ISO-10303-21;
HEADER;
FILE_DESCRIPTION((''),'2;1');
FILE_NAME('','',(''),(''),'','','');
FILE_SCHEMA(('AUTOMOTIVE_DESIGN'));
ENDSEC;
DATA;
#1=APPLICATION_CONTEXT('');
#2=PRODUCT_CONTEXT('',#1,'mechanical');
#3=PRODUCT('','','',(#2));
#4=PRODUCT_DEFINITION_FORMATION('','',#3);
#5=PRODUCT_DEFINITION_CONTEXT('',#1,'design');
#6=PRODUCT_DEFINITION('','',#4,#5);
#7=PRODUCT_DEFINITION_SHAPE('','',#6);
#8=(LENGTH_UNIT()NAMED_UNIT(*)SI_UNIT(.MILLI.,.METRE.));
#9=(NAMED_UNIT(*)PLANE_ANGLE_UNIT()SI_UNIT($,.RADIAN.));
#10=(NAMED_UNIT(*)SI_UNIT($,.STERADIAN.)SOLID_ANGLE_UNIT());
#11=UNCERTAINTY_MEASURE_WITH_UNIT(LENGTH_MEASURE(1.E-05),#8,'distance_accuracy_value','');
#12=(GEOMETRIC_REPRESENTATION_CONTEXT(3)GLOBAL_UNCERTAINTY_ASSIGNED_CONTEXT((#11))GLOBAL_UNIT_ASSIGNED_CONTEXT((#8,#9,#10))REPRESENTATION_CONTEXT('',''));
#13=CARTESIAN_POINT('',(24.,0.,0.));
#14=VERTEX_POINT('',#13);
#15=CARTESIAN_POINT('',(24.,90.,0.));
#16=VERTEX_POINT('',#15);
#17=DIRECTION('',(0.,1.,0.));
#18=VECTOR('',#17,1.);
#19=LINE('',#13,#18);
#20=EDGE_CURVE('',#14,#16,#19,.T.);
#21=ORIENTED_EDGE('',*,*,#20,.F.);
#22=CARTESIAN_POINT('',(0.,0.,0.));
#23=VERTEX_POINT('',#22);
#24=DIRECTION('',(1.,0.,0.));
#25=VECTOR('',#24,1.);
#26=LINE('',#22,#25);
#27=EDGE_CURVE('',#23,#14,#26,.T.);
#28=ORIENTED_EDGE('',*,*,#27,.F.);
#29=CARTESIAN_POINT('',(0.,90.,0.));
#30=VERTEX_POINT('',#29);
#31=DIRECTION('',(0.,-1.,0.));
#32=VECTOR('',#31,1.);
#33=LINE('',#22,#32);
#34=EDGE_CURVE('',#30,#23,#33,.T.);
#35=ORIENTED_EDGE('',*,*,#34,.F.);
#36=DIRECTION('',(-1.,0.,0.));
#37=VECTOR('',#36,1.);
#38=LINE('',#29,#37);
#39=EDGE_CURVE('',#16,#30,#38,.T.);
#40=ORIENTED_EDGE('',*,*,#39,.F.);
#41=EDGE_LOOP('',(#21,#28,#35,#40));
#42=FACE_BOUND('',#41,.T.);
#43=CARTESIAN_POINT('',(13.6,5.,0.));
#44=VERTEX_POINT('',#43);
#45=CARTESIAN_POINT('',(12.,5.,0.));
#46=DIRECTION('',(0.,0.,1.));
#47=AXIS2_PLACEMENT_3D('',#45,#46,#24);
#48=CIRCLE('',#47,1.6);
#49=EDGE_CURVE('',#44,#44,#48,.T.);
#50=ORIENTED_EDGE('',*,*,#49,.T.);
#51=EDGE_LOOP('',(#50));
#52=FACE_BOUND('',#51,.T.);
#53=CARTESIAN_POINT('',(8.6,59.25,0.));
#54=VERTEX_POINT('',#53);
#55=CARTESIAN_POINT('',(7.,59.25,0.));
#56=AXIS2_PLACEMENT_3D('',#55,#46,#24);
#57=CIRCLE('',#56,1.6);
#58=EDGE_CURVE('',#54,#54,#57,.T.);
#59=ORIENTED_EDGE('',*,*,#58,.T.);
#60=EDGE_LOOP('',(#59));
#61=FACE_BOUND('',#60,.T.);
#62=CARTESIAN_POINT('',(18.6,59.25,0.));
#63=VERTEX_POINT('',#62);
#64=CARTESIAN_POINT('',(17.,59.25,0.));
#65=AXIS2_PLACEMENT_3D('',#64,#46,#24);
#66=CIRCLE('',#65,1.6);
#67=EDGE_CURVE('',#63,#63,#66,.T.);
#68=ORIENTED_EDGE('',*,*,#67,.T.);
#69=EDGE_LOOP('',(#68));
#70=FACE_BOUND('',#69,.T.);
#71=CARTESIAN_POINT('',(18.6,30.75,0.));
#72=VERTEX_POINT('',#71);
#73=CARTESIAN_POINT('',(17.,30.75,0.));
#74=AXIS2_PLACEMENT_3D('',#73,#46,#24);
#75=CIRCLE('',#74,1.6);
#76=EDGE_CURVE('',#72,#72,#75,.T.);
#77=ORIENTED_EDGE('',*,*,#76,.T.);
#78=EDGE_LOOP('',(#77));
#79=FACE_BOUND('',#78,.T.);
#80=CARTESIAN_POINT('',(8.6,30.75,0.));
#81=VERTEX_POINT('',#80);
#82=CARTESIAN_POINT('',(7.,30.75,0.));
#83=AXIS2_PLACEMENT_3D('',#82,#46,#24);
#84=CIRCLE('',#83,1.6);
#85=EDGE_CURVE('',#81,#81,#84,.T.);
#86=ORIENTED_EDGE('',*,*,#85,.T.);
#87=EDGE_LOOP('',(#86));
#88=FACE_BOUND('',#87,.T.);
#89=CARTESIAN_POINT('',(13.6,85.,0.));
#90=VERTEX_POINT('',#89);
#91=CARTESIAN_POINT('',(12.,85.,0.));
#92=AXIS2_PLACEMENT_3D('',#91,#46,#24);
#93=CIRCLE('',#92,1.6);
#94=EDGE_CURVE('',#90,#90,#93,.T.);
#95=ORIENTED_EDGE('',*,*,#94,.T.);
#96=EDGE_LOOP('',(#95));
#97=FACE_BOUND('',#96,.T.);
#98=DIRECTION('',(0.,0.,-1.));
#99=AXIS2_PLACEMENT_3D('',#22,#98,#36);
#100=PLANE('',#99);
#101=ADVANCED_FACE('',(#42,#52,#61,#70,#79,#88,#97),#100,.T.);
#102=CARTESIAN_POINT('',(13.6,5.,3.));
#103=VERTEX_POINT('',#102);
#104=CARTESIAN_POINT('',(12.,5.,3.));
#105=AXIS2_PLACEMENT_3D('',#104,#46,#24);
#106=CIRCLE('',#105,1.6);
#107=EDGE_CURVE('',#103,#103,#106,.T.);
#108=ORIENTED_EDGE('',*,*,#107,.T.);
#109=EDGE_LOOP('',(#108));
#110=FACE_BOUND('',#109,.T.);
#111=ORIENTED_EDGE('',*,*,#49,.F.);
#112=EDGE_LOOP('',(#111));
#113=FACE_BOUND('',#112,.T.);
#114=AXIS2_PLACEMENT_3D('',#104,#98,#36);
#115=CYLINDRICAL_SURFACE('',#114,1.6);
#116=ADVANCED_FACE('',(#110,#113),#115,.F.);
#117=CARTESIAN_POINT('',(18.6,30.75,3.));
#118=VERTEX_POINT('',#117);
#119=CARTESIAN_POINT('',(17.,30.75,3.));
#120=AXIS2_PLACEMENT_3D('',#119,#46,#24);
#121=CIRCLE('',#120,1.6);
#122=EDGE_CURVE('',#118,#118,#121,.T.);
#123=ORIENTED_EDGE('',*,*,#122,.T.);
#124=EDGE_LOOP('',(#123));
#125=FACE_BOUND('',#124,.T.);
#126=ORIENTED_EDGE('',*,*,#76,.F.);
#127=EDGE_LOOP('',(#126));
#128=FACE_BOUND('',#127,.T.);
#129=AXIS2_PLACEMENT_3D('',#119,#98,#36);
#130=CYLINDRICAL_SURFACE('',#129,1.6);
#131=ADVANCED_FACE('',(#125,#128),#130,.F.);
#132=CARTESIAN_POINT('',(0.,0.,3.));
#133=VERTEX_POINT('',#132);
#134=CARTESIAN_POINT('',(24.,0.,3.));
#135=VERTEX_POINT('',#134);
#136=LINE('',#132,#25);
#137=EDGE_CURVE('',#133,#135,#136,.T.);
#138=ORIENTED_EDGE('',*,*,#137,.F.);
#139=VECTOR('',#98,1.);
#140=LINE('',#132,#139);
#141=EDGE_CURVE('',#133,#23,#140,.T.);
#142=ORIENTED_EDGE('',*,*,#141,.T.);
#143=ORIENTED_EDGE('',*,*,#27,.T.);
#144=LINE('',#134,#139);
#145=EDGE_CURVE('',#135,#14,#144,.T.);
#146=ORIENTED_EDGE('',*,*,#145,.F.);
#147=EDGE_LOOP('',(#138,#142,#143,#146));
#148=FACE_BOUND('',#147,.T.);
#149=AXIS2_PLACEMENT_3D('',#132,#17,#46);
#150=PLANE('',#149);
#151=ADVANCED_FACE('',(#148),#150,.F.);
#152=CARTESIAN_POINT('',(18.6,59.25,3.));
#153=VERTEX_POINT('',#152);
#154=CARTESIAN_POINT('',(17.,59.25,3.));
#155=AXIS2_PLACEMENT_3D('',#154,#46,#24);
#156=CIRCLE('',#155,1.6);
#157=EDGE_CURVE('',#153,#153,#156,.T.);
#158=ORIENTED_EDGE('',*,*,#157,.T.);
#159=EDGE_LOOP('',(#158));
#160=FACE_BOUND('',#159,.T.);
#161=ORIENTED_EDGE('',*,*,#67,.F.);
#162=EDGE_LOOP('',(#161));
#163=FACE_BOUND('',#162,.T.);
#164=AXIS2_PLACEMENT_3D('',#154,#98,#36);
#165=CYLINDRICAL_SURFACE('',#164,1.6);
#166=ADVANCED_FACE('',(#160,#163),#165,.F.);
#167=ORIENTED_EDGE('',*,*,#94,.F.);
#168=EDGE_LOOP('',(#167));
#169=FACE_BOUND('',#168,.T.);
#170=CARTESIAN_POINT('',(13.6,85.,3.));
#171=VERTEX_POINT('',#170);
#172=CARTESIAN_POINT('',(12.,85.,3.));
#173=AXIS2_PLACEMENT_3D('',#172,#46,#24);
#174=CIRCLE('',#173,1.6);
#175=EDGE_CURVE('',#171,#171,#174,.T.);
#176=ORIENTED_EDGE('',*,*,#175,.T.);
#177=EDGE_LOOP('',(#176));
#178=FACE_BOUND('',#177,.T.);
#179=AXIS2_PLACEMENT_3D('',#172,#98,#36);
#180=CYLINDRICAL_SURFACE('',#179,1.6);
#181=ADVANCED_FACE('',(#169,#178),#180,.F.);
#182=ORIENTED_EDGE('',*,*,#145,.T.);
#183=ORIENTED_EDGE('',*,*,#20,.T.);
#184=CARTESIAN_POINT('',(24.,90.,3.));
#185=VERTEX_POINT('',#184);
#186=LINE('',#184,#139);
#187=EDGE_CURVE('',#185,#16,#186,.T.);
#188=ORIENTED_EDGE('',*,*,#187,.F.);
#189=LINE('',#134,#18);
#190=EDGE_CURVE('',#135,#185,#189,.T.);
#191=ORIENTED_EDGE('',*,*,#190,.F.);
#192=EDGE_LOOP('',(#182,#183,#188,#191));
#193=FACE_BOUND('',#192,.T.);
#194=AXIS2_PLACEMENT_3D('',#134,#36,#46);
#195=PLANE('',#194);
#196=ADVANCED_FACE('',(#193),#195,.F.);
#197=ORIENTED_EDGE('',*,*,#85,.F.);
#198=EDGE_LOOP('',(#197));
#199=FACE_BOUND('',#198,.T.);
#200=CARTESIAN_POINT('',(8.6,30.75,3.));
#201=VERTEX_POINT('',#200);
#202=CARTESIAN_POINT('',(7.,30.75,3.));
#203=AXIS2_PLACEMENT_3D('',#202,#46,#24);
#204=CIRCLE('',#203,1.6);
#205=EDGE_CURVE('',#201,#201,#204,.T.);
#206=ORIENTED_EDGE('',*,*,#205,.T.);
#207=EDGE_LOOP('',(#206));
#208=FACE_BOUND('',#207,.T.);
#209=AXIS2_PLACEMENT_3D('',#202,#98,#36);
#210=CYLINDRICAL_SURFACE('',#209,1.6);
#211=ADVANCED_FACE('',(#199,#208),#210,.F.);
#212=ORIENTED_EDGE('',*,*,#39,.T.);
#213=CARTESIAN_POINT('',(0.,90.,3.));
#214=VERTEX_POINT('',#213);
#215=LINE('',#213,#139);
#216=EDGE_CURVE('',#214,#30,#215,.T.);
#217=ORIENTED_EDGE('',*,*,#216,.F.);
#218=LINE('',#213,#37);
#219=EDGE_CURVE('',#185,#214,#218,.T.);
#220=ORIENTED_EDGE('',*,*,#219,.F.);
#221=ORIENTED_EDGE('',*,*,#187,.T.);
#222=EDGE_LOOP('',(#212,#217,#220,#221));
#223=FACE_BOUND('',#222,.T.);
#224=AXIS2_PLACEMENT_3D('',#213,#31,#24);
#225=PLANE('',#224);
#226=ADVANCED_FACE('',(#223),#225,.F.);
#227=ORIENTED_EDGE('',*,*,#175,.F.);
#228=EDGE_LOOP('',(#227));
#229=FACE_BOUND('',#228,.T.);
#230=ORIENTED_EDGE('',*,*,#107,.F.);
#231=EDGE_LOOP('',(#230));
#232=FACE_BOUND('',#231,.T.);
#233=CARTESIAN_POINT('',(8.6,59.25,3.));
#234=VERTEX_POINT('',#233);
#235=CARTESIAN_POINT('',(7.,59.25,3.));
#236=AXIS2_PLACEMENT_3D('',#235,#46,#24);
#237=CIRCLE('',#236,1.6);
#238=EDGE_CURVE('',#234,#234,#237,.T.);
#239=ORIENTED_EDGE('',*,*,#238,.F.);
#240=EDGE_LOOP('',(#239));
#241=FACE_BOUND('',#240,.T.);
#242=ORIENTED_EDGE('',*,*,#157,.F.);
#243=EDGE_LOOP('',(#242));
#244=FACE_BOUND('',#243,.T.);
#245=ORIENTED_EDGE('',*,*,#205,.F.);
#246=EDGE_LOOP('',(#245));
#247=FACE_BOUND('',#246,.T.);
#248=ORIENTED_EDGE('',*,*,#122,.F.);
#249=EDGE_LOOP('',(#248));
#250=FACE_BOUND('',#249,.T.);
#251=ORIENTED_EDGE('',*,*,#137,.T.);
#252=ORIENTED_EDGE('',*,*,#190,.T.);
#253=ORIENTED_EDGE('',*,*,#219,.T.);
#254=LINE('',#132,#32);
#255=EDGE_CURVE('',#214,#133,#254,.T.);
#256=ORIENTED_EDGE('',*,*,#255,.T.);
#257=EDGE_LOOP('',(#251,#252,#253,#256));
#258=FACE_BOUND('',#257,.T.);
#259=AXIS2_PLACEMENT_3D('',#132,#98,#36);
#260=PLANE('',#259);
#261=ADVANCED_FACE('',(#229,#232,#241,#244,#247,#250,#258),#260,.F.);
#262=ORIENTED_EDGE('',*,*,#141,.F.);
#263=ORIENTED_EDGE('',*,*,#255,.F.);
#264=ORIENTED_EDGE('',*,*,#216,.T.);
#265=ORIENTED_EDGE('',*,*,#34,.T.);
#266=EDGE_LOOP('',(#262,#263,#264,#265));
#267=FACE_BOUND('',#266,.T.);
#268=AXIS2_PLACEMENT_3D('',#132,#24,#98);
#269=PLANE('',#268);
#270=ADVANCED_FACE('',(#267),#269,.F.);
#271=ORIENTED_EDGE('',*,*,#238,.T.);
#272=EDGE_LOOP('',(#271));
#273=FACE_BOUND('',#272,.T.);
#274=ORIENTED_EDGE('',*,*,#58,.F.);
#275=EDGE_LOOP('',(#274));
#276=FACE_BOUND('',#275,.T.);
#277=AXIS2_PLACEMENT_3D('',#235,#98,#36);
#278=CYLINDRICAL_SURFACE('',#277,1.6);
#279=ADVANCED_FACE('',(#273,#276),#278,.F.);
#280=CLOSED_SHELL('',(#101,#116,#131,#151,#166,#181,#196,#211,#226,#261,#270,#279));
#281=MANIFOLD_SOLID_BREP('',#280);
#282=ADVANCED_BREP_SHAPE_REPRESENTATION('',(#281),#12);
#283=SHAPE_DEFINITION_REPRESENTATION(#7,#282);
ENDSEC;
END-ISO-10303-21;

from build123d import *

# Parameters (mm, degrees)
SKETCH1_W           = 24
SKETCH1_H           = 90
SKETCH1_R           = 1.6
BOSS_EXTRUDE1_DEPTH = 3


with BuildPart() as part:
    # Sketch1 → Boss-Extrude1 (new body)
    with BuildSketch(Plane.XY):
        with Locations((12, 45)):
            Rectangle(SKETCH1_W, SKETCH1_H)
        with Locations((7, 59.25)):
            Circle(SKETCH1_R, mode=Mode.SUBTRACT)
        with Locations((17, 59.25)):
            Circle(SKETCH1_R, mode=Mode.SUBTRACT)
        with Locations((7, 30.75)):
            Circle(SKETCH1_R, mode=Mode.SUBTRACT)
        with Locations((17, 30.75)):
            Circle(SKETCH1_R, mode=Mode.SUBTRACT)
        with Locations((12, 85)):
            Circle(SKETCH1_R, mode=Mode.SUBTRACT)
        with Locations((12, 5)):
            Circle(SKETCH1_R, mode=Mode.SUBTRACT)
    extrude(amount=BOSS_EXTRUDE1_DEPTH)


solid = part.part
